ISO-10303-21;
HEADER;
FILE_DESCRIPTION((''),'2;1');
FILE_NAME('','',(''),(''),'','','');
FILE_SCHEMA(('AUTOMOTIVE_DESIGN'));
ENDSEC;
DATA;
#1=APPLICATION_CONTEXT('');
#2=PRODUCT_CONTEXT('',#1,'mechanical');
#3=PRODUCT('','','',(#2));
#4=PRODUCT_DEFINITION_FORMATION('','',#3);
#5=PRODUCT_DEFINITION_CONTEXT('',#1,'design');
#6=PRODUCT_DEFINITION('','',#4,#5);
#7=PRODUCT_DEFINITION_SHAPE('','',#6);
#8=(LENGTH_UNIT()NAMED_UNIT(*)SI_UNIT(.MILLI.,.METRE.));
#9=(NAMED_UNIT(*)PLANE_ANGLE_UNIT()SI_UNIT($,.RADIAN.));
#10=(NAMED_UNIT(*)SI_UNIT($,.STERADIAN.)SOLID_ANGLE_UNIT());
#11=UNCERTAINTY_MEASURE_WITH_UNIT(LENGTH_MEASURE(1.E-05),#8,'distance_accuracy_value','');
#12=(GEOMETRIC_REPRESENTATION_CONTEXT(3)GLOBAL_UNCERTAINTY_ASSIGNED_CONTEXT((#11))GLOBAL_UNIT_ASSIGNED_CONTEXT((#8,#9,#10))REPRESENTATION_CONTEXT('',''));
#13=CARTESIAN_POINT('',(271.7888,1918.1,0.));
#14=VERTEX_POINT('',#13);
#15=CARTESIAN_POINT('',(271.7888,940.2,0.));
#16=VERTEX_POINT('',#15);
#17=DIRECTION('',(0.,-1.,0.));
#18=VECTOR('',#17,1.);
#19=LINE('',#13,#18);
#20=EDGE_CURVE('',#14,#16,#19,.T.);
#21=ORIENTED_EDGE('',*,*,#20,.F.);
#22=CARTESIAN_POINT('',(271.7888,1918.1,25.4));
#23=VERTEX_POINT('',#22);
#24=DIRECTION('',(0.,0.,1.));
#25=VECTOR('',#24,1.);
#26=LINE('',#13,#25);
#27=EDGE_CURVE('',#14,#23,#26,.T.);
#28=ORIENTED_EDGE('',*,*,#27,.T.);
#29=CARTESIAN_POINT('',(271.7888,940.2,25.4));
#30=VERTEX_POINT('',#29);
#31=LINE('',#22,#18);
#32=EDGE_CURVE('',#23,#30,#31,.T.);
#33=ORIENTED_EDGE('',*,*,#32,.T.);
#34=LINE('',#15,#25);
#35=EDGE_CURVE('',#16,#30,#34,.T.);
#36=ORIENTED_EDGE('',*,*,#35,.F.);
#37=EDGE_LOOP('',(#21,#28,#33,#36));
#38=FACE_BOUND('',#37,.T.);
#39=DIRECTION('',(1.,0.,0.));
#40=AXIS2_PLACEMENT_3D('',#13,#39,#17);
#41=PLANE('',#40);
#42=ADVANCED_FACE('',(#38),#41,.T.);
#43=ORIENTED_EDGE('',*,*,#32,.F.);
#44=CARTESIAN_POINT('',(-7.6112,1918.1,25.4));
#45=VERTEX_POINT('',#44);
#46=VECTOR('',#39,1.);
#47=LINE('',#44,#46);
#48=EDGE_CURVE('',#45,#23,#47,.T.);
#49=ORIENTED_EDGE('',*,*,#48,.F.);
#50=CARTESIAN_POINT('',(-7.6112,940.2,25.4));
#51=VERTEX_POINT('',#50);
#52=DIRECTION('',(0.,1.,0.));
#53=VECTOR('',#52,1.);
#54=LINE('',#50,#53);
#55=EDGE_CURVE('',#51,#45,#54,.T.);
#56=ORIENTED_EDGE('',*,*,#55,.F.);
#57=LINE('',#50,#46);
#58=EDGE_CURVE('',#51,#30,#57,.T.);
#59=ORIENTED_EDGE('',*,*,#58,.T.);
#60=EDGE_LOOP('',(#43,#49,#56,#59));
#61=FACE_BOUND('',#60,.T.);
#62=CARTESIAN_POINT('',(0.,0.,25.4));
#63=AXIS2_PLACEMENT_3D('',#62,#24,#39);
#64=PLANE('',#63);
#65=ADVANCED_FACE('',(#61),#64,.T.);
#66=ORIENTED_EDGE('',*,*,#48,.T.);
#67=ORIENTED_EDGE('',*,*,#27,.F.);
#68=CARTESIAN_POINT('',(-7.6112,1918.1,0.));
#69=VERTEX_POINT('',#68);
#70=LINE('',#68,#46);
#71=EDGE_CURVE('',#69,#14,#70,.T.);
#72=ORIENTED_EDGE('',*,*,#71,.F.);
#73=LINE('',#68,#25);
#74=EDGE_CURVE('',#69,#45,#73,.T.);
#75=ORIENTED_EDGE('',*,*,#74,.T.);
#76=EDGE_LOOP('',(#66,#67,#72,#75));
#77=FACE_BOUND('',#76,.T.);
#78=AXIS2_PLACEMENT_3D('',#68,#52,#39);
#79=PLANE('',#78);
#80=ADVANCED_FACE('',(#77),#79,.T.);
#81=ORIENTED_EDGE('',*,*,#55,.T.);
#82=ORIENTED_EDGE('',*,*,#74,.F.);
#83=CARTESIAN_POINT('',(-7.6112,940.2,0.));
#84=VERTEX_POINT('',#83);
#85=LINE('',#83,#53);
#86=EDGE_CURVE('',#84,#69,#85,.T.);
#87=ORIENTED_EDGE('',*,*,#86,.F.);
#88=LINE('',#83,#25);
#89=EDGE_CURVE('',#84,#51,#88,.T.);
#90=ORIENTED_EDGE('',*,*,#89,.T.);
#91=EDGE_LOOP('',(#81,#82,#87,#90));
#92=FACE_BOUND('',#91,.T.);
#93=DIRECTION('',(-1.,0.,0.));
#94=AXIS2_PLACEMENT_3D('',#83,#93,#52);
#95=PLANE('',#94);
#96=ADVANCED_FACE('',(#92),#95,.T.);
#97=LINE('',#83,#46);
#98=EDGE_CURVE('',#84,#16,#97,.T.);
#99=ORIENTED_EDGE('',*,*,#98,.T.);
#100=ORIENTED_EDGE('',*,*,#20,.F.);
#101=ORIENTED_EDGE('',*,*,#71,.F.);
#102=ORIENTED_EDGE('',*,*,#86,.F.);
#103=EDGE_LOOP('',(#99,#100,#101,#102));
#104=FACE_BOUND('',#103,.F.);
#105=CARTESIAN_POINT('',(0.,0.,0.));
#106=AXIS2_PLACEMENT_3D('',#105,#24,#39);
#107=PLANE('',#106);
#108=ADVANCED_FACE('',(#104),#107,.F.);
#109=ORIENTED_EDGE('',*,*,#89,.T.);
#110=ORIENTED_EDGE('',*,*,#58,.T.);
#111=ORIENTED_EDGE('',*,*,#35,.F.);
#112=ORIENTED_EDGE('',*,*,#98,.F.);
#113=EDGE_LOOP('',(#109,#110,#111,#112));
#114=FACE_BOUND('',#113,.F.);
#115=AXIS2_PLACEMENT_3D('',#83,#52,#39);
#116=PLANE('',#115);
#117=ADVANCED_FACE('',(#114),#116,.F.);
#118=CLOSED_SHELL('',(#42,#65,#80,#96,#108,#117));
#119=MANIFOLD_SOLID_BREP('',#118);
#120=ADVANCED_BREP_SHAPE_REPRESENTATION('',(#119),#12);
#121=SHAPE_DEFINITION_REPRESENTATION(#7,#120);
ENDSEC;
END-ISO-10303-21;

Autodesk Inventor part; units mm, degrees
ref_plane "YZ Plane" through (0, 0, 0) normal (1, 0, 0) x (0, 1, 0)
ref_plane "XZ Plane" through (0, 0, 0) normal (0, 1, 0) x (-1, 0, 0)
ref_plane "XY Plane" through (0, 0, 0) normal (0, 0, 1) x (1, 0, 0)
ref_plane "Work Plane1" through (0, 0, 0) normal (0, 0, 1) x (1, 0, 0)
sketch "Sketch1" plane through (0, 0, 0) normal (0, 0, 1) x (1, 0, 0)
  line L0 (-7.6112, 1918.1) -> (271.7888, 1918.1) projected
  line L1 (-7.6112, 940.2) -> (271.7888, 940.2) projected
  line L2 (271.7888, 1918.1) -> (271.7888, 940.2)
  line L3 (-7.6112, 940.2) -> (-7.6112, 1918.1)
  point P0 (0, 0)
extrude "Extrusion1" add sketch "Sketch1" along normal blind 25.4
properties part number "TOP SH"
